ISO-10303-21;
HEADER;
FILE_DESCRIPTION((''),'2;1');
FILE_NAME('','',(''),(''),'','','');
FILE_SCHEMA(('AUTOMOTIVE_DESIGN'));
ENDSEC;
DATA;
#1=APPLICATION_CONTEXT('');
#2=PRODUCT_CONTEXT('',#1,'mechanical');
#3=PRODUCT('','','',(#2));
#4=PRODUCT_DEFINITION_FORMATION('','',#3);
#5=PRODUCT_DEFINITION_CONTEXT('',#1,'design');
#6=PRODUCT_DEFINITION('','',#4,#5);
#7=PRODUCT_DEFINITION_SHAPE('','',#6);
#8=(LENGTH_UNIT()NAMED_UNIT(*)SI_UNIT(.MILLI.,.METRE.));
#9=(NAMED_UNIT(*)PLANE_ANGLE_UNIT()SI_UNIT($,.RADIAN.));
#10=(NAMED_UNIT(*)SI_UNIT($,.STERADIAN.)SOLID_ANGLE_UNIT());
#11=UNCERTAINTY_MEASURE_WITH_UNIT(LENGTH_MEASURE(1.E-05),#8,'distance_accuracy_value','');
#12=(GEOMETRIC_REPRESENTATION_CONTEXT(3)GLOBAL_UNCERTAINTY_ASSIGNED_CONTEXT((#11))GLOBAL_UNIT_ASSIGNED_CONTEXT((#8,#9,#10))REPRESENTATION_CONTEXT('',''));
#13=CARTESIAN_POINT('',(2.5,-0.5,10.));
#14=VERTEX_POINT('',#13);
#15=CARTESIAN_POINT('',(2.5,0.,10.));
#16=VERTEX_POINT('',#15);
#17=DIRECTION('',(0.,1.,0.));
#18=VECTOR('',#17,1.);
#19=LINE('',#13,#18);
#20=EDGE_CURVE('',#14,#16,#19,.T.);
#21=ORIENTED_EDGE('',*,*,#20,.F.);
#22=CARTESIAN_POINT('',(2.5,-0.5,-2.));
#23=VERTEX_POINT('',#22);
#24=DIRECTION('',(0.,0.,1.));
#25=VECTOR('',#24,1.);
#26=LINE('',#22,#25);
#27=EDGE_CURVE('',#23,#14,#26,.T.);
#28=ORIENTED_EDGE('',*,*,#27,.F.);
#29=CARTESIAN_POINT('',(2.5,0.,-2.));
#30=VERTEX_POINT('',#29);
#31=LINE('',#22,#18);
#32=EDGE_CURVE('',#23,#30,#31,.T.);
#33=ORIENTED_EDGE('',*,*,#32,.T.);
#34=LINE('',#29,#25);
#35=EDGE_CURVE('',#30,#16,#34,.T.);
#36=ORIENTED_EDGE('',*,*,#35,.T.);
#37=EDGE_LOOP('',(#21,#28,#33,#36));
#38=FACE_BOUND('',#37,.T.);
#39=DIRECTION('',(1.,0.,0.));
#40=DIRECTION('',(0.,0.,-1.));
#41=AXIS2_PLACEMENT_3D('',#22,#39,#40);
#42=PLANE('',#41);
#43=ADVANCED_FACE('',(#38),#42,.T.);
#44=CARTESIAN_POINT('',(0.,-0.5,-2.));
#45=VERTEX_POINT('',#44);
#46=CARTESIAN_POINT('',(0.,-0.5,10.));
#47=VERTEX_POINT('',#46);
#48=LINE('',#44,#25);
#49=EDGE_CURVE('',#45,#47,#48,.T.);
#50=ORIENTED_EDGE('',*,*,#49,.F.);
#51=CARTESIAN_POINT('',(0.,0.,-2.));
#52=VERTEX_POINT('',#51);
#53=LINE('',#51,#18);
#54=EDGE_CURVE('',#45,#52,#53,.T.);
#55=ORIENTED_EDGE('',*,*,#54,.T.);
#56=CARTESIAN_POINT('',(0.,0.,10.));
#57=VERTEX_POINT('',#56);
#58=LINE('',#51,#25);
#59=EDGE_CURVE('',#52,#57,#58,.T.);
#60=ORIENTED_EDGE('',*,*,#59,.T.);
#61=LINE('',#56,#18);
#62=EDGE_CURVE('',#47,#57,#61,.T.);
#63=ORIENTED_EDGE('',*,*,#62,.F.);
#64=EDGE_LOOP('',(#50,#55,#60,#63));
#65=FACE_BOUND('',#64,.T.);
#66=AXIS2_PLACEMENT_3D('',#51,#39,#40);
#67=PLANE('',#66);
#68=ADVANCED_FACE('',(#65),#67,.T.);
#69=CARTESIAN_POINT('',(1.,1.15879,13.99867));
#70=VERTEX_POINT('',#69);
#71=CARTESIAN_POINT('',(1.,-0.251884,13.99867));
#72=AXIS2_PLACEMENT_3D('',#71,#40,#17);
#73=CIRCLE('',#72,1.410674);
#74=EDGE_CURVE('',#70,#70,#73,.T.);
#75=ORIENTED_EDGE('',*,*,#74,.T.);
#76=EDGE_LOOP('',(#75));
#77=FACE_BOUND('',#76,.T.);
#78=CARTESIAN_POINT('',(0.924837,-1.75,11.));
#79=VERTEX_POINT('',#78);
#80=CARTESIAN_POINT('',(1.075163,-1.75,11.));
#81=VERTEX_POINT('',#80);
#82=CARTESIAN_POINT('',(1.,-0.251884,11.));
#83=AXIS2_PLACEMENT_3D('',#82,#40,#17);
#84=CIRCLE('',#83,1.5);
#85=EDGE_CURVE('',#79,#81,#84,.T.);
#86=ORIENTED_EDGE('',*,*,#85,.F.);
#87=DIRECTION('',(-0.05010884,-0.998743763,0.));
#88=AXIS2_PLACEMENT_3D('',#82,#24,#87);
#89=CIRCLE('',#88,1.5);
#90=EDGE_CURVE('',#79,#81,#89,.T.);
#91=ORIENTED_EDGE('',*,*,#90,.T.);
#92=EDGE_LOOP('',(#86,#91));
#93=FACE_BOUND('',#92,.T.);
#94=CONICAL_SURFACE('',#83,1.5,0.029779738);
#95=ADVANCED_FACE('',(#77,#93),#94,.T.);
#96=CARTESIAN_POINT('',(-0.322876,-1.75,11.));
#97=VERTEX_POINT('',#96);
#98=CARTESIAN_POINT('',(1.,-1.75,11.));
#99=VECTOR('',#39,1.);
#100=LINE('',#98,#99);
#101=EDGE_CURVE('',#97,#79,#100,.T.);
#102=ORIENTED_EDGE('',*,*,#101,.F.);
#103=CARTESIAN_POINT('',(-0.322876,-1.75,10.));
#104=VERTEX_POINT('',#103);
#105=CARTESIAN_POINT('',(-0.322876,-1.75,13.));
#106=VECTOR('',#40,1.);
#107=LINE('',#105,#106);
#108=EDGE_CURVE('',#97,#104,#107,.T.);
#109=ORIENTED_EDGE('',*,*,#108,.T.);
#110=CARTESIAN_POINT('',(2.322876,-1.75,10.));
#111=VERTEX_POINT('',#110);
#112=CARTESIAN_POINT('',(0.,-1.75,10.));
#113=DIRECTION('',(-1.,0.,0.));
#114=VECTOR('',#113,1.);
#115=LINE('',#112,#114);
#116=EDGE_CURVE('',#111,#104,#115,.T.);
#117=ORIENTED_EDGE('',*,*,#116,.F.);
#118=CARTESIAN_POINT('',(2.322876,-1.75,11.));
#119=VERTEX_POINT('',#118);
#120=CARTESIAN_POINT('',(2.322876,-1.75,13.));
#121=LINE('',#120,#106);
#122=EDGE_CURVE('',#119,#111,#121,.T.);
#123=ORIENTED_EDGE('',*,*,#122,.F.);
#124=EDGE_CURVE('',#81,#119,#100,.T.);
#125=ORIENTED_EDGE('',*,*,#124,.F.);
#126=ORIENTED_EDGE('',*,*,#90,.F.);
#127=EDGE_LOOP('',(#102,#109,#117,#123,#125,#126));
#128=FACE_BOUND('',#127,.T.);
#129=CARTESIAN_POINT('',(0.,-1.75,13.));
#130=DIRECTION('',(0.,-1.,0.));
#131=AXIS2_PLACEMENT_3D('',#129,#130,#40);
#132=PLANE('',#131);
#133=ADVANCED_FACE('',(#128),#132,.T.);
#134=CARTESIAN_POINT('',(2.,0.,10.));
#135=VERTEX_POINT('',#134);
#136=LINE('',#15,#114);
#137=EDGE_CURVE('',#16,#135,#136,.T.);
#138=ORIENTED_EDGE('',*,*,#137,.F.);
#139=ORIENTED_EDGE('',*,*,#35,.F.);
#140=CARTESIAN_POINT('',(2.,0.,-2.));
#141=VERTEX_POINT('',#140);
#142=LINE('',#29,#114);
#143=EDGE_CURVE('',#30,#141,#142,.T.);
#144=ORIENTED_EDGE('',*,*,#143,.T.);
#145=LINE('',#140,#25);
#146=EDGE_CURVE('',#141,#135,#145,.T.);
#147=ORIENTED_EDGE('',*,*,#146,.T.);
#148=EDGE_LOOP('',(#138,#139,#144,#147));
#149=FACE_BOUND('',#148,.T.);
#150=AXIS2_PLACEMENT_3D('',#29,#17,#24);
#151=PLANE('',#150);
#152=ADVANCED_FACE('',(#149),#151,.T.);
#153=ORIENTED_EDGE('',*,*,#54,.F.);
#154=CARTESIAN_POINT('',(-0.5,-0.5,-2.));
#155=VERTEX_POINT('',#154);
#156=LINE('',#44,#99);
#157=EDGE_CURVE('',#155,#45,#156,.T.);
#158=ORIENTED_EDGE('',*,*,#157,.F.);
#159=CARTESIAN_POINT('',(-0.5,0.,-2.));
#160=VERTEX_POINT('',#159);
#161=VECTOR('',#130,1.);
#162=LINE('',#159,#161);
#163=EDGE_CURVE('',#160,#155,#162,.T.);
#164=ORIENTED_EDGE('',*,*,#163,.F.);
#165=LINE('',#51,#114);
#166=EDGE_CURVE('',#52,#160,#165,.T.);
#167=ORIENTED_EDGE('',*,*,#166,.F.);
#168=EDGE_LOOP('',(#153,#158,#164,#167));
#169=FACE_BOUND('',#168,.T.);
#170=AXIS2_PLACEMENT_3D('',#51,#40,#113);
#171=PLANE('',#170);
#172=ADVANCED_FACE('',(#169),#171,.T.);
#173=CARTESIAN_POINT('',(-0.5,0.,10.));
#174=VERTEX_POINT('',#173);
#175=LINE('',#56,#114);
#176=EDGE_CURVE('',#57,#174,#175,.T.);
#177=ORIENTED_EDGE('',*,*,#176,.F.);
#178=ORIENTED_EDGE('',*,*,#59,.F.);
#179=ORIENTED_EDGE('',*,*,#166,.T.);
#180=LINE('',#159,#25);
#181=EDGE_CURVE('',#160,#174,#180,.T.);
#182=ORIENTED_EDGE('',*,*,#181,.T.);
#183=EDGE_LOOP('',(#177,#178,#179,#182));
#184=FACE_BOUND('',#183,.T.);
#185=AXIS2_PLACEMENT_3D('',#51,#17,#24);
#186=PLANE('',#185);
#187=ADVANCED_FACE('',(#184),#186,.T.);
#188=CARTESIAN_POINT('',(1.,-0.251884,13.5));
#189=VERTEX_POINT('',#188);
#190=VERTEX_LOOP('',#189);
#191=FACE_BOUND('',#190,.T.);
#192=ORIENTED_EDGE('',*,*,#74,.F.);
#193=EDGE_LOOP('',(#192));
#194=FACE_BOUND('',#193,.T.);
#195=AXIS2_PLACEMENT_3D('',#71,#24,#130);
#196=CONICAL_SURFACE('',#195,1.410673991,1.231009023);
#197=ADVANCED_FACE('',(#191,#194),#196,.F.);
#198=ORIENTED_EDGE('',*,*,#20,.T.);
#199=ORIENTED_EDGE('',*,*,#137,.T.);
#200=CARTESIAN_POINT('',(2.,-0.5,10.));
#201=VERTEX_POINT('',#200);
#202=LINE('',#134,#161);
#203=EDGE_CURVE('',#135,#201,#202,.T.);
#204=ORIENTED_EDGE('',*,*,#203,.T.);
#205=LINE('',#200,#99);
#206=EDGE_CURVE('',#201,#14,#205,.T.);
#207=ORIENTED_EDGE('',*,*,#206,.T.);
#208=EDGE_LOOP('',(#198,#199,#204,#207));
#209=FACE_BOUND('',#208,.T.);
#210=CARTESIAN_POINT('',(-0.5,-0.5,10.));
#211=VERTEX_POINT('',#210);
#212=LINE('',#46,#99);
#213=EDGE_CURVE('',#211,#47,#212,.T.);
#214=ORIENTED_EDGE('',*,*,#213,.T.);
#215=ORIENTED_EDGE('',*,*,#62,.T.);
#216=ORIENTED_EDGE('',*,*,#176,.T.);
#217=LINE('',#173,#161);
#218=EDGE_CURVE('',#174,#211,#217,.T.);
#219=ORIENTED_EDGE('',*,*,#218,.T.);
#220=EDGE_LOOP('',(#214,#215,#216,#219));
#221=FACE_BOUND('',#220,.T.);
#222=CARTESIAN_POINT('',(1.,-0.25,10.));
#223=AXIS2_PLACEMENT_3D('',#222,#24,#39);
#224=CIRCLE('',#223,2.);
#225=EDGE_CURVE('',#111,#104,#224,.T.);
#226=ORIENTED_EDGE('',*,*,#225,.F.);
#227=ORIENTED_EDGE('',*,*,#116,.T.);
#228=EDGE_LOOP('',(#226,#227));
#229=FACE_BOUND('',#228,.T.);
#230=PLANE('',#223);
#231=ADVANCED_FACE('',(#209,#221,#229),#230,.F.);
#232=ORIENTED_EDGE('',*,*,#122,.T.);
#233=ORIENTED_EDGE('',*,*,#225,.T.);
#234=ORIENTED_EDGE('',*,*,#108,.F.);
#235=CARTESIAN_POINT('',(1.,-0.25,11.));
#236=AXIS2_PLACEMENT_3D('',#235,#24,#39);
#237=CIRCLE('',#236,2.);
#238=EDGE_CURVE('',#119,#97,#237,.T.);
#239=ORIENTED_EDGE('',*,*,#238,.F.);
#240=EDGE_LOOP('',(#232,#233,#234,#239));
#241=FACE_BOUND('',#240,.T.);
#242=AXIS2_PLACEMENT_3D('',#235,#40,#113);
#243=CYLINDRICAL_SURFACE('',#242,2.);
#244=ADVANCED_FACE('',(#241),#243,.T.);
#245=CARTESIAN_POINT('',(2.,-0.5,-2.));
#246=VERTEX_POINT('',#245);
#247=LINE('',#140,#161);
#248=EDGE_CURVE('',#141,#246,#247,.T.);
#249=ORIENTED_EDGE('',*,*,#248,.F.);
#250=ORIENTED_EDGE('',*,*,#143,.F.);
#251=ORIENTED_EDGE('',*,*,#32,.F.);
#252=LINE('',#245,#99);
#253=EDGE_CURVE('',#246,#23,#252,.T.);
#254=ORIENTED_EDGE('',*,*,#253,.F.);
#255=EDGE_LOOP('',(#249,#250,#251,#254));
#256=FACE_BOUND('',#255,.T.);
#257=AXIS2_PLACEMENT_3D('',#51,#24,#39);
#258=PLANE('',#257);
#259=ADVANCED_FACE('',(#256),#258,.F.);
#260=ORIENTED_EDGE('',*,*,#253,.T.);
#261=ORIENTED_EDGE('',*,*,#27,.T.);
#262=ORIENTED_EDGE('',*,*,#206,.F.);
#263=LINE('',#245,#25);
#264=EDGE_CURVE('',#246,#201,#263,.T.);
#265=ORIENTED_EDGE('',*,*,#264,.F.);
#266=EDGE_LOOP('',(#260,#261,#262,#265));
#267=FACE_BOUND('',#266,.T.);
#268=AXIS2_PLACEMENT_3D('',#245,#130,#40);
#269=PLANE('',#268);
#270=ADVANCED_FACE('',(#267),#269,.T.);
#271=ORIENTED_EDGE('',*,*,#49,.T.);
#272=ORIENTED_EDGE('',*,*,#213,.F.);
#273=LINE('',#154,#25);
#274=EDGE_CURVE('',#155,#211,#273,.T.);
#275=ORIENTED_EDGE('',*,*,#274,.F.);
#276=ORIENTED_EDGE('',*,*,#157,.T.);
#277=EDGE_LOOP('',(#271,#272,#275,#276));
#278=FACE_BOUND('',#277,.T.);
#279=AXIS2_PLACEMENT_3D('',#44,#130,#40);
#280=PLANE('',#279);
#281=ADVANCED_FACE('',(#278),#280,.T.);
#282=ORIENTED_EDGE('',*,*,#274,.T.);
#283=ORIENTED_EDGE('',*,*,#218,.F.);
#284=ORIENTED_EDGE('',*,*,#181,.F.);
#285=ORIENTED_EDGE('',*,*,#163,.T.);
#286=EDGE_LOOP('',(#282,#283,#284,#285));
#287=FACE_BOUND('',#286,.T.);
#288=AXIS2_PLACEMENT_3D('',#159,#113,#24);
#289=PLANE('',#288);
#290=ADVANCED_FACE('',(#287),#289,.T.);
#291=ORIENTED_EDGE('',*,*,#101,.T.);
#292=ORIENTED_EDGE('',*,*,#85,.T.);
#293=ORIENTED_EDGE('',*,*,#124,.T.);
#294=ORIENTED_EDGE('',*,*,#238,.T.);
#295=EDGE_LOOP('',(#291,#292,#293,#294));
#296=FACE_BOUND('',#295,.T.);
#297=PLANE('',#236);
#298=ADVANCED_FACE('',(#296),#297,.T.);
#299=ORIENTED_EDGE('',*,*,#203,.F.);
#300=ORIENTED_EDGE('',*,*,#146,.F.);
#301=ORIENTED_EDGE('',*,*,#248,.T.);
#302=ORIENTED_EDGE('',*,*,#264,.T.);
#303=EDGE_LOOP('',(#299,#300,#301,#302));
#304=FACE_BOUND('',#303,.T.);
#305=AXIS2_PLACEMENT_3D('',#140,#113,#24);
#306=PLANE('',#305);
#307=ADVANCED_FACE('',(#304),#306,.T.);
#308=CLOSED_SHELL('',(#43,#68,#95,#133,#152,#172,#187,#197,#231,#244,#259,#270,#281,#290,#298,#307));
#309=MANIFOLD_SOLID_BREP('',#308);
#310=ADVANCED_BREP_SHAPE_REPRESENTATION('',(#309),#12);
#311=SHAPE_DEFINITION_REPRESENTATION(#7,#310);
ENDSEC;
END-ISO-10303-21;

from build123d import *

# Parameters (mm, degrees)
BOSS_EXTRUDE1_DEPTH        = 10
BOSS_EXTRUDE1_DEPTH_BACK   = 2
SKETCH1_W                  = 0.5
SKETCH1_H                  = 0.5
BOSS_EXTRUDE1_2_DEPTH      = 10
BOSS_EXTRUDE1_2_DEPTH_BACK = 2
SKETCH2_R                  = 2
BOSS_EXTRUDE2_DEPTH        = 1
CUT_EXTRUDE1_DEPTH         = 3


with BuildPart() as part:
    # Sketch1 → Boss-Extrude1 (new, two sides: drawn at the far end of the back side and taken through both)
    with BuildSketch(Plane.XY.offset(-BOSS_EXTRUDE1_DEPTH_BACK)):
        with Locations((-0.25, -0.25)):
            Rectangle(SKETCH1_W, SKETCH1_H)
    extrude(amount=BOSS_EXTRUDE1_DEPTH + BOSS_EXTRUDE1_DEPTH_BACK)



with BuildPart() as body_2:
    # Sketch1 → Boss-Extrude1 2 (new, two sides: drawn at the far end of the back side and taken through both)
    with BuildSketch(Plane.XY.offset(-BOSS_EXTRUDE1_2_DEPTH_BACK)):
        with Locations((2.25, -0.25)):
            Rectangle(SKETCH1_W, SKETCH1_H)
    extrude(amount=BOSS_EXTRUDE1_2_DEPTH + BOSS_EXTRUDE1_2_DEPTH_BACK)


with BuildPart() as part_1:
    add(part.part)

    add(body_2.part)  # Boss-Extrude2 merges body 2
    # Sketch2 → Boss-Extrude2 (add)
    with BuildSketch(Plane.XY.offset(10)):
        with Locations((1, -0.25)):
            Circle(SKETCH2_R)
    extrude(amount=BOSS_EXTRUDE2_DEPTH)

    # Sketch5 → Cut-Extrude1 (cut)
    with BuildSketch(Plane(origin=(0, 0, 10), x_dir=(-1, 0, 0), z_dir=(0, 0, -1))):
        with BuildLine():
            Line((0.322875656, -1.75), (-1, -1.75))
            Line((-1, -1.75), (-2.322875656, -1.75))
            ThreePointArc((-2.322875656, -1.75), (-1, -2.25), (0.322875656, -1.75))
        make_face()
    extrude(amount=-CUT_EXTRUDE1_DEPTH, mode=Mode.SUBTRACT)

    # Sketch9 → Revolve6 (revolve)
    with BuildSketch(Plane(origin=(1, 0, 0), x_dir=(0, 0, -1), z_dir=(1, 0, 0))):
        Polygon((-13.5, -0.251884355), (-13.998669849, -1.662558347), (-11, -1.751884355), (-11, -0.251884355), align=None)
    revolve(axis=Axis((1, -0.251884355, 11), (0, 0, 1)))


solid = part_1.part
